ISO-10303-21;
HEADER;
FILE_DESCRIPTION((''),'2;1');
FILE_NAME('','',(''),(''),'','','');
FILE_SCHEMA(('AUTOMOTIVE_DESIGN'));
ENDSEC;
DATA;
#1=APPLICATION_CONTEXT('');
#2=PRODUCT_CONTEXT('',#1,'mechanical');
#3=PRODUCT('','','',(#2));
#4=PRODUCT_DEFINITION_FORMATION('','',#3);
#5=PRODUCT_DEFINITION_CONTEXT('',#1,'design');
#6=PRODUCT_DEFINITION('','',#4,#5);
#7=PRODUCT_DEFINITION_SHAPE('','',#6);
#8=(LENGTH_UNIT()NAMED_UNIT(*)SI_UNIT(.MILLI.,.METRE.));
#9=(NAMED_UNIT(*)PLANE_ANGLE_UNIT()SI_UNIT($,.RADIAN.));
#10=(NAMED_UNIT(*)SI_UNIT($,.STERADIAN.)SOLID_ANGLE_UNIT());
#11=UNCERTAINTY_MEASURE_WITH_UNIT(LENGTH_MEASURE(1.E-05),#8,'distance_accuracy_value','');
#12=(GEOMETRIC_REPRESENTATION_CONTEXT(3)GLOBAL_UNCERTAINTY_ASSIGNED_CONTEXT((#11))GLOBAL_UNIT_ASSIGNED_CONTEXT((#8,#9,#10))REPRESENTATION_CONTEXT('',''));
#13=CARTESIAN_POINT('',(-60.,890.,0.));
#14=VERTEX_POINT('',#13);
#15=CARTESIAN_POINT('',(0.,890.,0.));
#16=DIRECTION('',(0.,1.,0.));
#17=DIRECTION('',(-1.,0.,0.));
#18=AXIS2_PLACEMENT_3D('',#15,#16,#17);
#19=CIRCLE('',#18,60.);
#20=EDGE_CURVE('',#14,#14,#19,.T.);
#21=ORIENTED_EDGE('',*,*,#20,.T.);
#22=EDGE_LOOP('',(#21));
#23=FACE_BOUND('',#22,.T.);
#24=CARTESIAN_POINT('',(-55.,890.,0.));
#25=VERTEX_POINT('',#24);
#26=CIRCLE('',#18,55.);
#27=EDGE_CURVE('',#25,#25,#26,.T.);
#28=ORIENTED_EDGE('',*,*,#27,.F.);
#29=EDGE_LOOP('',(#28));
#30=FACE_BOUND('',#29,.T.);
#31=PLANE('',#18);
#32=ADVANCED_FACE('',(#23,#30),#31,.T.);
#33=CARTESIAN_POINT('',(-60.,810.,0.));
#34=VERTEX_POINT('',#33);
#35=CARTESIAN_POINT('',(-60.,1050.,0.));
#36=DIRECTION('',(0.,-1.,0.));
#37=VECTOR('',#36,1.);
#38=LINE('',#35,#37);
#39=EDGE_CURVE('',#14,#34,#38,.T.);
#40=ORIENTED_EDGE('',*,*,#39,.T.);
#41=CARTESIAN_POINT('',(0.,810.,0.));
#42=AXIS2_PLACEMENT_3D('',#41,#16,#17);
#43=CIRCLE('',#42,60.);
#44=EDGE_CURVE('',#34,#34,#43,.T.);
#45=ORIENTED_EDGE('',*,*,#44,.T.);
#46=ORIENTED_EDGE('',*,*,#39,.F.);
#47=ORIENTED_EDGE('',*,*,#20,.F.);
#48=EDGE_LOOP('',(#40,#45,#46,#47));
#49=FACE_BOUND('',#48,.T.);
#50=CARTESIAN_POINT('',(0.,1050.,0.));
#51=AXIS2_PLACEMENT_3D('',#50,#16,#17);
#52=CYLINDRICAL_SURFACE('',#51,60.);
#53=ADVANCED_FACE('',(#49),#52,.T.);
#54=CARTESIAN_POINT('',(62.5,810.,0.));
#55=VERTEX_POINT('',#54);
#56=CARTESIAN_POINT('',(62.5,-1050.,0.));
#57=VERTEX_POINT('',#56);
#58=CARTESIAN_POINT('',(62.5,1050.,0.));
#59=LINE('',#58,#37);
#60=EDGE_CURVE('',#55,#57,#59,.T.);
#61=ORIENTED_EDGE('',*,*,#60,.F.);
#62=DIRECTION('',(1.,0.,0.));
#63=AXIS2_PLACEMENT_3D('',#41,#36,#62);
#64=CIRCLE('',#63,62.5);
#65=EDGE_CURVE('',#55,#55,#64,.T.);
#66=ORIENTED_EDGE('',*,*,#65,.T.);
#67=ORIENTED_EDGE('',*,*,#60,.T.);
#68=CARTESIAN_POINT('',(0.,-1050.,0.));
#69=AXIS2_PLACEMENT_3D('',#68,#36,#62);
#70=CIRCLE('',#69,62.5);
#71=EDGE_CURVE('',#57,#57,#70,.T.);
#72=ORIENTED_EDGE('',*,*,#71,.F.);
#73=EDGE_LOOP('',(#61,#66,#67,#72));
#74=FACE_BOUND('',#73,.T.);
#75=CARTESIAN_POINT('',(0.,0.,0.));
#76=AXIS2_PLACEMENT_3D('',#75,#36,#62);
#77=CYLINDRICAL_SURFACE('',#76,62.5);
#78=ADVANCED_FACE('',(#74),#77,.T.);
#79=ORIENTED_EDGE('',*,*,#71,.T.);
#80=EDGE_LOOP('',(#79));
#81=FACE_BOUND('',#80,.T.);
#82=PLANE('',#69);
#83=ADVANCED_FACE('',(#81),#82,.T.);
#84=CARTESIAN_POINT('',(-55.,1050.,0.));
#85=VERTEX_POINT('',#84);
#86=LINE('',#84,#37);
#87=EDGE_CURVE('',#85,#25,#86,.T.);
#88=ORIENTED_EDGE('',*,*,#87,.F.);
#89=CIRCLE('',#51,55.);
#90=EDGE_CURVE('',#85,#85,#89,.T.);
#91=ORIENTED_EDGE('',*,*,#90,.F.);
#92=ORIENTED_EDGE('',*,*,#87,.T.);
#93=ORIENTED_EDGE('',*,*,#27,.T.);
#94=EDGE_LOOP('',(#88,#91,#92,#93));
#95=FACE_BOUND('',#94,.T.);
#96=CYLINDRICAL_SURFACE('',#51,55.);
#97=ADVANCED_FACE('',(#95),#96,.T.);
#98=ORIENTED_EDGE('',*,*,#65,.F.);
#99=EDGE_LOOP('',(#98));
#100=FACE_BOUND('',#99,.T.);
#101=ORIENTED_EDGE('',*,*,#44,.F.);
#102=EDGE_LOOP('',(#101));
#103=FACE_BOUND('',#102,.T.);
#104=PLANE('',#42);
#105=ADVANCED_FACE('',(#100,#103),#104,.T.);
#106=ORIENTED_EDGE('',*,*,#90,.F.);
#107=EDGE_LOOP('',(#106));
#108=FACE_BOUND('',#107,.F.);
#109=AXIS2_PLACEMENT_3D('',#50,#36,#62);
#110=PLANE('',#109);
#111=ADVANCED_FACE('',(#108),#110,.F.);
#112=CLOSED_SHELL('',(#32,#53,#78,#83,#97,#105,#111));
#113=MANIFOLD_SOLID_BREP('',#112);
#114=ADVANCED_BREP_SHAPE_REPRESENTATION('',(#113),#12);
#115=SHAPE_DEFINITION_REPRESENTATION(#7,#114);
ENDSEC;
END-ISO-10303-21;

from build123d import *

# Parameters (mm, degrees)
F0_R     = 62.5
F1_DEPTH = 1050
F2_R     = 62.5
F2_R_2   = 60
F3_DEPTH = 240
F2_R_3   = 55
F4_DEPTH = 160


with BuildPart() as f1:
    # F0 (on Front) → F1 (new body, symmetric)
    with BuildSketch(Plane.XZ):
        Circle(F0_R)
    extrude(amount=F1_DEPTH, both=True)

    # F2 (on face) → F3 (cut)
    with BuildSketch(Plane(origin=(0, 1050, 0), x_dir=(-1, 0, 0), z_dir=(0, 1, 0))):
        Circle(F2_R)
        Circle(F2_R_2, mode=Mode.SUBTRACT)
    extrude(amount=-F3_DEPTH, mode=Mode.SUBTRACT)

    # F2 (on face) → F4 (cut)
    with BuildSketch(Plane(origin=(0, 1050, 0), x_dir=(-1, 0, 0), z_dir=(0, 1, 0))):
        Circle(F2_R_2)
        Circle(F2_R_3, mode=Mode.SUBTRACT)
    extrude(amount=-F4_DEPTH, mode=Mode.SUBTRACT)


solid = f1.part
